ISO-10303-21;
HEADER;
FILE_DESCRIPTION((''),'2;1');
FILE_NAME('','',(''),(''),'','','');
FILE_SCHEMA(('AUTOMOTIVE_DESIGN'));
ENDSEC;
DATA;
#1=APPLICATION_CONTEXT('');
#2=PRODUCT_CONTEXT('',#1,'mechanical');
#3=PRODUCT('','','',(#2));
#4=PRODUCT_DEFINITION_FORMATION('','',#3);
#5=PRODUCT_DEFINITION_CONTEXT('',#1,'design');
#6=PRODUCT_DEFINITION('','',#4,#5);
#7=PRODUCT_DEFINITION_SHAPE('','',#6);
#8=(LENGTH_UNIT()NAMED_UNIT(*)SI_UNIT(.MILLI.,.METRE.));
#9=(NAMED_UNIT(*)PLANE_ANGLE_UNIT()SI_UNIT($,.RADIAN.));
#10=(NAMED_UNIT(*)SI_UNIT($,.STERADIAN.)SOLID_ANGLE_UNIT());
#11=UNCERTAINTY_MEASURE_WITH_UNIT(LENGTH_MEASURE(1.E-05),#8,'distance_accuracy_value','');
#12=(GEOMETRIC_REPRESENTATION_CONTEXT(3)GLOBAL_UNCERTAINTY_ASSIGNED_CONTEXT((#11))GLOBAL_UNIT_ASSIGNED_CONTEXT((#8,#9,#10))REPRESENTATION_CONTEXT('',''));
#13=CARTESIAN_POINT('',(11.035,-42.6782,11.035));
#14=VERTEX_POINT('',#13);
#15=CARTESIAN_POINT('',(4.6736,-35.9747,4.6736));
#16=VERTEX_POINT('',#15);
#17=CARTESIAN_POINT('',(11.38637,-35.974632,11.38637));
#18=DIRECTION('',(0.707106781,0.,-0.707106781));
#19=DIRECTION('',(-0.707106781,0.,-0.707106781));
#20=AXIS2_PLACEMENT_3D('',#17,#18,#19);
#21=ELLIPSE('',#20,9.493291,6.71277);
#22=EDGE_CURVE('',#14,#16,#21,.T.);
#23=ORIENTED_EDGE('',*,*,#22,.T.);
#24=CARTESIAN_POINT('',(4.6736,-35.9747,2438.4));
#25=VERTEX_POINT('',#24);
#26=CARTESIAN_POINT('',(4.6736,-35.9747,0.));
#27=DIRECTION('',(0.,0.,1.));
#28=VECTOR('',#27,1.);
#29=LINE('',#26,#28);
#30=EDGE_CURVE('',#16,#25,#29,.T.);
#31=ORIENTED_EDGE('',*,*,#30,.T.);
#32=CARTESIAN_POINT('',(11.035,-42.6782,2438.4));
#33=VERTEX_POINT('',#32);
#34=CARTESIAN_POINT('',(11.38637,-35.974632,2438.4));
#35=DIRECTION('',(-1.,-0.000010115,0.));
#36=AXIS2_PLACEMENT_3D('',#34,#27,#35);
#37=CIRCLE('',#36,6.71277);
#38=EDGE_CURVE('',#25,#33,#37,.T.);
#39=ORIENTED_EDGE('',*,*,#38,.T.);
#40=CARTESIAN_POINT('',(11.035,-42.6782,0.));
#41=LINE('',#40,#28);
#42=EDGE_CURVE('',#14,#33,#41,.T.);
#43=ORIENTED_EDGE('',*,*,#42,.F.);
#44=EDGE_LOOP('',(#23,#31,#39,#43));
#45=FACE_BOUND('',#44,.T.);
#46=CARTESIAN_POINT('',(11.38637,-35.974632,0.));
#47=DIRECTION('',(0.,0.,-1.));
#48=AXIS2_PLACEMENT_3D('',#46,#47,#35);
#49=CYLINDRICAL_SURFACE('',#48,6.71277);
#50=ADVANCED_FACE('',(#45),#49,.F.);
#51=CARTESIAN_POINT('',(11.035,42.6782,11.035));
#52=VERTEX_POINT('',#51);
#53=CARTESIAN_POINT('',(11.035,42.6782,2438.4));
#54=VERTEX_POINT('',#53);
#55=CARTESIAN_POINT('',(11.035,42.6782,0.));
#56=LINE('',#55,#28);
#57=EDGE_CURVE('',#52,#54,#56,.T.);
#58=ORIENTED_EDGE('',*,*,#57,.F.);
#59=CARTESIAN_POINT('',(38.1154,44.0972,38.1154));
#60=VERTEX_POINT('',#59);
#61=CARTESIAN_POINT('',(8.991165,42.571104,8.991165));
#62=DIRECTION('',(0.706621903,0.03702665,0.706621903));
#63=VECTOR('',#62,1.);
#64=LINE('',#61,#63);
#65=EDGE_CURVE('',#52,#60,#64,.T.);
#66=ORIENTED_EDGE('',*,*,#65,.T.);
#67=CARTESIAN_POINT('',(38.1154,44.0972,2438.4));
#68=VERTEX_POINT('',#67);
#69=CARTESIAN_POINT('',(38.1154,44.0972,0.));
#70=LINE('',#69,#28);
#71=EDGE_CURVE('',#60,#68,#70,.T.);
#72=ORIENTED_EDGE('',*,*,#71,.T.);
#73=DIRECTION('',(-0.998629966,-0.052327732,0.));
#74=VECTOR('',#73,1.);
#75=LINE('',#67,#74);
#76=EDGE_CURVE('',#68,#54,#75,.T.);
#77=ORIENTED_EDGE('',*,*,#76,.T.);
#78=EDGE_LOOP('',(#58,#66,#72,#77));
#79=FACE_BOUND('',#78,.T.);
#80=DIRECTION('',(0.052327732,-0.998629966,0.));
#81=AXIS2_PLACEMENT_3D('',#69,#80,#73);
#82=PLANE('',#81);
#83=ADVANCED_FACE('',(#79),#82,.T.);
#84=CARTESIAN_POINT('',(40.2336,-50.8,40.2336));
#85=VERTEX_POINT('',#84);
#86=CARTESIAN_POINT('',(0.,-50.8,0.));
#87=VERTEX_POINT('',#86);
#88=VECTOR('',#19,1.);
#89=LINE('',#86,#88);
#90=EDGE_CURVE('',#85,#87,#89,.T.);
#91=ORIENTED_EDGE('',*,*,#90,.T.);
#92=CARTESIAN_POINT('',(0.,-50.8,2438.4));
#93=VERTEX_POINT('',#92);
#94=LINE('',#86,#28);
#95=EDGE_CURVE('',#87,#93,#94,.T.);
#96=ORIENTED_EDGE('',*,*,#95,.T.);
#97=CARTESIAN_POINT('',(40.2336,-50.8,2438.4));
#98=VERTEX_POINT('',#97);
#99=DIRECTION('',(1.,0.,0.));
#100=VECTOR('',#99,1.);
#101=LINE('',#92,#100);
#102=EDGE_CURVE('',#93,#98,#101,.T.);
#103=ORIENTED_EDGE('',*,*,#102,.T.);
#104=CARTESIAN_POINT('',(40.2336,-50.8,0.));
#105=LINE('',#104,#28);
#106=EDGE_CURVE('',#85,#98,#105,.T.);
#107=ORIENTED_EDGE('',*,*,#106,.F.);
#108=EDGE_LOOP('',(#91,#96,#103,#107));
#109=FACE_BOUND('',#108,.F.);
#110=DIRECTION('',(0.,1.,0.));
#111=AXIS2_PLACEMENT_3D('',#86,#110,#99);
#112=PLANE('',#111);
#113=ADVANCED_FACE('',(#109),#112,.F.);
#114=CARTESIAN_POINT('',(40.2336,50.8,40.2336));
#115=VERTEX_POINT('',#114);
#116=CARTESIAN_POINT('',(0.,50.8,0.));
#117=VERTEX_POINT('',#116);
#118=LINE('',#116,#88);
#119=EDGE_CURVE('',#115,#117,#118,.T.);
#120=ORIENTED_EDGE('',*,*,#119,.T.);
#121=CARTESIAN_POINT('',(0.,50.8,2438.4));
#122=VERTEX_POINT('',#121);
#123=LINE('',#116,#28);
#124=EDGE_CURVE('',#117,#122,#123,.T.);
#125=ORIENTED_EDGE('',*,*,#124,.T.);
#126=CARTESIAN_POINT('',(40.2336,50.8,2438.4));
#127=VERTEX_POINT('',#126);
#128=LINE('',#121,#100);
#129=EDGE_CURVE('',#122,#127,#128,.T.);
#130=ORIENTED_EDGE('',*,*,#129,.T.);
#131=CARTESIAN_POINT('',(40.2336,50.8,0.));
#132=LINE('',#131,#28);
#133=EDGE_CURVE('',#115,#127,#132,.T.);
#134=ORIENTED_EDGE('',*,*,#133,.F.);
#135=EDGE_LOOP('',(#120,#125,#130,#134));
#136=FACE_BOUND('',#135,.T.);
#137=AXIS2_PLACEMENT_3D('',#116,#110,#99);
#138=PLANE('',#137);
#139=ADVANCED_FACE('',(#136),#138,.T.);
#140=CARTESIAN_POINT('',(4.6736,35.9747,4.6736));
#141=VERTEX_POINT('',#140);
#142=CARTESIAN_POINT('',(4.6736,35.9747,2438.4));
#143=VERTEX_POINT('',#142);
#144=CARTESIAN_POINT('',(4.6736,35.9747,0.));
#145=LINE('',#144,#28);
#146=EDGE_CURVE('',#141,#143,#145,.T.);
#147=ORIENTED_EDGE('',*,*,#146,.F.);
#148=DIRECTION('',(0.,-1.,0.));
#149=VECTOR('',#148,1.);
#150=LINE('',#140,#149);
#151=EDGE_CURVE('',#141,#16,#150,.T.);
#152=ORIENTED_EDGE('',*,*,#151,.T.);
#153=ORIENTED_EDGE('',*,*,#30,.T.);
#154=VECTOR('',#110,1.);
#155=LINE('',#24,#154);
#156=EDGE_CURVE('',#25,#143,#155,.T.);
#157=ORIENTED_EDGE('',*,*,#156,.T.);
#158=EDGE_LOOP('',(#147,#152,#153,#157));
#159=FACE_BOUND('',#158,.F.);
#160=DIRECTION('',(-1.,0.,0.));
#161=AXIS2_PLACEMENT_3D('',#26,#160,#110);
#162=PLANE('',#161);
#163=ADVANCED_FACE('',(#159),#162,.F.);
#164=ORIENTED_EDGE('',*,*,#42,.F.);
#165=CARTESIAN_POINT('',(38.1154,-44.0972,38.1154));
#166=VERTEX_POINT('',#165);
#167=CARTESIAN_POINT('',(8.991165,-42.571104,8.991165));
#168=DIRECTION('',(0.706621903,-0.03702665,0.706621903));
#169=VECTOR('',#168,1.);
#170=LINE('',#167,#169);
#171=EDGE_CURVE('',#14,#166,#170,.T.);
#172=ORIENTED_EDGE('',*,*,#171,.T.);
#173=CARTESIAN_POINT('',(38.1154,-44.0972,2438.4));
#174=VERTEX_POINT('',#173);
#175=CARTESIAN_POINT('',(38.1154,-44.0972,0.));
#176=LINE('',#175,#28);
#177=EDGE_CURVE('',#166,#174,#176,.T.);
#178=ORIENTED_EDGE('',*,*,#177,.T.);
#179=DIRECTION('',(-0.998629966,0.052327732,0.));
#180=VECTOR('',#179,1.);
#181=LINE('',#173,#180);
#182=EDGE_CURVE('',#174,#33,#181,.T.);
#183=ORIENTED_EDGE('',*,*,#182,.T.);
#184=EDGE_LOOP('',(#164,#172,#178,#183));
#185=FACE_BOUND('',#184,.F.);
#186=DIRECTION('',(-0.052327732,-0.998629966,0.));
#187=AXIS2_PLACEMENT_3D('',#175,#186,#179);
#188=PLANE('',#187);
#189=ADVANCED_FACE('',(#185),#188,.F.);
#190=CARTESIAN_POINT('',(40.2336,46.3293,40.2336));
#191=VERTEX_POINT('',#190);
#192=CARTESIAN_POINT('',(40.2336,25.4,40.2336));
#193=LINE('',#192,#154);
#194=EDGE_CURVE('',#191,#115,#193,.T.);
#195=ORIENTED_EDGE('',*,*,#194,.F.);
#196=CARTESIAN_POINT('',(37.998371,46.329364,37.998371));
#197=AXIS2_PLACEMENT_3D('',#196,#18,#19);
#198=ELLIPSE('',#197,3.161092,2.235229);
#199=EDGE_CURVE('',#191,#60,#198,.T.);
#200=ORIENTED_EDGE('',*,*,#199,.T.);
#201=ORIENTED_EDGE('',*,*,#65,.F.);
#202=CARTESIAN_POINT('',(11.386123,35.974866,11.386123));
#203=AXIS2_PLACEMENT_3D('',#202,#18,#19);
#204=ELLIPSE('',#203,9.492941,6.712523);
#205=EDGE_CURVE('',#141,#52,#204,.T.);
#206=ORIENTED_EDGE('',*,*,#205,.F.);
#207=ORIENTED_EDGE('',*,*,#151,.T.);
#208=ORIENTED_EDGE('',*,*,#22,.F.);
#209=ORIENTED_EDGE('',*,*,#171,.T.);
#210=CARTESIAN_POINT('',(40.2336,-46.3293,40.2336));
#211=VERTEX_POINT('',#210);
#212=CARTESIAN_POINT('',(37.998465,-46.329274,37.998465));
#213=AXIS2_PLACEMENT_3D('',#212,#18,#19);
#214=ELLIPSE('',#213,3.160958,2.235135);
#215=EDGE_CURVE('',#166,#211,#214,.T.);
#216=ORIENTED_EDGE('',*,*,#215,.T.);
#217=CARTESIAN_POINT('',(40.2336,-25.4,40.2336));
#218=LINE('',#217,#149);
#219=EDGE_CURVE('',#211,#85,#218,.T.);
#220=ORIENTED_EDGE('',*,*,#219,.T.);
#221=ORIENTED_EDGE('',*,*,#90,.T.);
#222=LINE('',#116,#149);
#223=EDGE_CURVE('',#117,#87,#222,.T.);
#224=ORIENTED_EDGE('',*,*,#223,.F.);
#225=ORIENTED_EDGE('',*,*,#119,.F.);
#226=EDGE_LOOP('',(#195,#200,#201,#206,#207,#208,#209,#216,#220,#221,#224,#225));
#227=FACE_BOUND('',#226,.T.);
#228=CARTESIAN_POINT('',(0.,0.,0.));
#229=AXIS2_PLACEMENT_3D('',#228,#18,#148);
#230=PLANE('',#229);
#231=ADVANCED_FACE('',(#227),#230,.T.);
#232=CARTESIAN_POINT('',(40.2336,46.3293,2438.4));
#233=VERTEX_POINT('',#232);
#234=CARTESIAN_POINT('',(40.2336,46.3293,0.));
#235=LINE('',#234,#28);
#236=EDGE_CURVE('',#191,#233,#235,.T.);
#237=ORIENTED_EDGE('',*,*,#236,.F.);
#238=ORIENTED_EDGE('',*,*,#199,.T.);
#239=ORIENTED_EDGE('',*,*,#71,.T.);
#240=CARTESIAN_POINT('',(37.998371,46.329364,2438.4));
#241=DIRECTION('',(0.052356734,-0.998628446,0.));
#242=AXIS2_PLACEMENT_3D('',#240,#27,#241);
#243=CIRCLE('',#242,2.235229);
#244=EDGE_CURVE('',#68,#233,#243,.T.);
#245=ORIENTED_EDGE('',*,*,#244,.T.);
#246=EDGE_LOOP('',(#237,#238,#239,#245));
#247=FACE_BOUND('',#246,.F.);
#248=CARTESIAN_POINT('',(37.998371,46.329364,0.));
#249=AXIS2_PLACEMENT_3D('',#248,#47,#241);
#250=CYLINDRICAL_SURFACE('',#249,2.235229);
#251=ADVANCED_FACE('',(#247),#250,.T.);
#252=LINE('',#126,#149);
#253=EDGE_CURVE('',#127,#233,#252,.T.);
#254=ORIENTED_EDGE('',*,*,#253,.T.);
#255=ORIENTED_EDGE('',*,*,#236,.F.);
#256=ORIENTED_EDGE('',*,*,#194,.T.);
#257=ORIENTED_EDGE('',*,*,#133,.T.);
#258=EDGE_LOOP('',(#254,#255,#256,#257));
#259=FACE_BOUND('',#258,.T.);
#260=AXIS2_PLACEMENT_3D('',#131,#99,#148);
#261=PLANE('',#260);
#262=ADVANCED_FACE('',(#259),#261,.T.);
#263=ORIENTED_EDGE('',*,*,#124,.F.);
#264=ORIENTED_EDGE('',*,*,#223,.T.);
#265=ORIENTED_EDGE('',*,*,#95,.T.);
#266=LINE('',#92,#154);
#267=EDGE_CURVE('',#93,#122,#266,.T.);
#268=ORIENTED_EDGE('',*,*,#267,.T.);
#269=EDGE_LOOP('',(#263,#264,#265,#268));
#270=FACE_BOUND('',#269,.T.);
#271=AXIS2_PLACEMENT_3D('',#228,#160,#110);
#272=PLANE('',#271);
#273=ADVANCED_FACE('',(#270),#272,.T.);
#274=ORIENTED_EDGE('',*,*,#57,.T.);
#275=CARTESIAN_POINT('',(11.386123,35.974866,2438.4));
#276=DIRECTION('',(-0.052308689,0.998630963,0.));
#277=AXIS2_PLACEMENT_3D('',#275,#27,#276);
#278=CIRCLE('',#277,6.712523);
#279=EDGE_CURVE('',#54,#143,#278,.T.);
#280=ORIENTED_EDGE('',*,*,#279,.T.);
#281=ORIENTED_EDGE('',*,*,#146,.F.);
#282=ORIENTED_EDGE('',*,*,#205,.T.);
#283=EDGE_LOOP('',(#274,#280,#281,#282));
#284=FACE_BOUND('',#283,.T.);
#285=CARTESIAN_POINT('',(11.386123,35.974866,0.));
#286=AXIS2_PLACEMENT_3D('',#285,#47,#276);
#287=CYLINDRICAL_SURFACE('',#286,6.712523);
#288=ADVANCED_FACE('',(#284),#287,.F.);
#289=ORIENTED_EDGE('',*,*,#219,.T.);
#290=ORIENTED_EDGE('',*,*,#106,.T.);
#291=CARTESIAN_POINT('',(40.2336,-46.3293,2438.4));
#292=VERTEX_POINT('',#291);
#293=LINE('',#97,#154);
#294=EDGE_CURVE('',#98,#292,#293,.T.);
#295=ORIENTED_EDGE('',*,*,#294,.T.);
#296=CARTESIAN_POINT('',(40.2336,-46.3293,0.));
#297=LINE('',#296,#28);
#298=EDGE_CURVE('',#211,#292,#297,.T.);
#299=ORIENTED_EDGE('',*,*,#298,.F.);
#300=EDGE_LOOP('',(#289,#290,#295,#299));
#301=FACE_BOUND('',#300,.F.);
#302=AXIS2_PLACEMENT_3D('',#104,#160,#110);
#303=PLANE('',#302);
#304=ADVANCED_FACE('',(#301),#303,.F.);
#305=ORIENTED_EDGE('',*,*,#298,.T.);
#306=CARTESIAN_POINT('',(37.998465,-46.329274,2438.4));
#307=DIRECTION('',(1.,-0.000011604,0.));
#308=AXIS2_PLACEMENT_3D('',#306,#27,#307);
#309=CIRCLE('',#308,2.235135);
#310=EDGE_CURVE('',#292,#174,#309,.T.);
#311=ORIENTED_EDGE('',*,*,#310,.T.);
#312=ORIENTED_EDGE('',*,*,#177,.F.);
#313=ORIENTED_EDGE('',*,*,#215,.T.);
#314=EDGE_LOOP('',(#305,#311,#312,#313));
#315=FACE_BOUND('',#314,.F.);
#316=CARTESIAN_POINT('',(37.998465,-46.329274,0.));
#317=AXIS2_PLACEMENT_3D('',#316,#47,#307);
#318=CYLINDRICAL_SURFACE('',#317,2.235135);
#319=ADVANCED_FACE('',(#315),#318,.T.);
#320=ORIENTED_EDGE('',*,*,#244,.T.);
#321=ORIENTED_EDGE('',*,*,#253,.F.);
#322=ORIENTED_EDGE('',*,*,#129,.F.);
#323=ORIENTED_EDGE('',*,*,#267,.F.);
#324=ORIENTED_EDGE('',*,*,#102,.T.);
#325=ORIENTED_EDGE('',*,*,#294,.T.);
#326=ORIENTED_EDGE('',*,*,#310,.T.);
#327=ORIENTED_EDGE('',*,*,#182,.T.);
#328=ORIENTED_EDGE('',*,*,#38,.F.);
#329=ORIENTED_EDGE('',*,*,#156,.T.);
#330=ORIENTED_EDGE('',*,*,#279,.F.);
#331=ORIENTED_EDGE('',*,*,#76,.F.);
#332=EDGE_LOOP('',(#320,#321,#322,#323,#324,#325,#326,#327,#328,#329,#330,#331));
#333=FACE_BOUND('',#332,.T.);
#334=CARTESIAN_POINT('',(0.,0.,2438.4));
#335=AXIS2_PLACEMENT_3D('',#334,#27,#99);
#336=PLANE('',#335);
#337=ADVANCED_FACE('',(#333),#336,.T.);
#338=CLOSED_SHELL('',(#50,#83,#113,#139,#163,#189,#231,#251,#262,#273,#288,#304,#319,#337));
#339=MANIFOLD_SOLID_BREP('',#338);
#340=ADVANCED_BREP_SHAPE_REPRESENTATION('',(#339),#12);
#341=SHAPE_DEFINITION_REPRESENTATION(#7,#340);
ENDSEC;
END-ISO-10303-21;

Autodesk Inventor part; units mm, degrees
ref_plane "Start plane" through (0, 0, 0) normal (0, 0, 1) x (1, 0, 0)
ref_plane "End plane" through (0, 0, 2438.4) normal (0, 0, 1) x (1, 0, 0)
sketch "Sketch" plane through (0, 0, 0) normal (0, 0, 1) x (1, 0, 0)
  line L0 (0, 0) -> (0, 50.8)
  line L1 (0, 50.8) -> (40.2336, 50.8)
  line L2 (40.2336, 50.8) -> (40.2336, 46.3293)
  line L3 (38.1154, 44.0972) -> (11.035, 42.6782)
  line L4 (4.6736, 35.9747) -> (4.6736, 0)
  line L5 (4.6736, 0) -> (0, 0) construction
  line L6 (22.5508, 50.8) -> (22.5508, 43.2816) construction
  line L7 (40.2336, 44.2082) -> (40.2336, 43.2816) construction
  line L8 (40.2336, 43.2816) -> (22.5508, 43.2816) construction
  line L9 (0, 15) -> (0, -27) construction
  line L10 (-5.539, 0) -> (16.0067, 0) construction
  line L11 (0, 0) -> (0, -50.8)
  line L12 (0, -50.8) -> (40.2336, -50.8)
  line L13 (40.2336, -50.8) -> (40.2336, -46.3293)
  line L14 (38.1154, -44.0972) -> (11.035, -42.6782)
  line L15 (4.6736, -35.9747) -> (4.6736, 0)
  arc A0 (11.035, 42.6782) -> (4.6736, 35.9747) centre (11.3862, 35.9747) ccw
  arc A1 (4.6736, -35.9747) -> (11.035, -42.6782) centre (11.3862, -35.9747) ccw
  arc A2 (38.1154, 44.0972) -> (40.2336, 46.3293) centre (37.9984, 46.3293) ccw
  arc A3 (40.2336, -46.3293) -> (38.1154, -44.0972) centre (37.9984, -46.3293) ccw
  line L16 (0, 71.12) -> (0, -71.12) construction
  line L17 (-14.7825, 0) -> (49.9224, 0) construction
  point P0 (4.6736, 42.3448)
  point P1 (40.2336, -44.2082)
  point P2 (4.6736, -42.3448)
  point P3 (22.5508, -50.8)
  point P4 (22.5508, -43.2816)
  dimension "d0" = 4.6736
  dimension "d1" = 50.8
  dimension "d2" = 40.2336
  dimension "d3" = 7.5184
  dimension "d4" = 17.6828
  dimension "d5" = 0.9266
  dimension "d25" = 0
  dimension "d28" = 6.7127
  dimension "d29" = 2.2352
extrude "Body" add sketch "Sketch" along normal up to surface (2438.4 mm away) from surface at 0
sketch "Sketch3" plane through (0, 0, 0) normal (0, 0, 1) x (1, 0, 0)
  line L0 (0, 0) -> (10, 0)
ref_plane "Work Plane3" through (0, 0, 0) normal (0, -1, 0) x (1, 0, 0)
sketch "Sketch4" plane through (0, 0, 0) normal (0, -1, 0) x (1, 0, 0)
  line L0 (-2, 0) -> (12, 0)
  line L1 (-2, 2438.4) -> (12, 2438.4)
  dimension "d31" = 2438.4
ref_plane "Work Plane4" through (0, 0, 0) normal (0.7071, 0, -0.7071) x (-0.7071, 0, -0.7071)
split "Split1" plane through (0, 0, 0) removes the side toward (0.7071, 0, -0.7071)
equation "\"d0\" = G_T"
equation "\"d1\" = 0.5 * G_H"
equation "\"d2\" = G_W"
equation "\"d3\" = G_T1"
equation "\"d4\" = G_C"
equation "\"d28\" = G_IR"
equation "\"d29\" = G_ER"
equation "\"d6\" = G_L"
equation "\"G_W\" = 40.2336"
equation "\"G_H\" = 101.6"
equation "\"G_T\" = 4.6736"
equation "\"G_T1\" = 7.5184"
equation "\"G_NG\" = 0.0524"
equation "\"G_ER\" = 2.2352"
equation "\"G_IR\" = 6.71265"
equation "\"G_C\" = 17.68285"
equation "\"G_L\" = d31"
equation "\"ex\" = 0"
equation "\"G_OFFSET_START\" = 0"
equation "\"G_OFFSET_END\" = 0"
equation "\"d27\" = G_OFFSET_END + B_L"
equation "\"B_L\" = 2438.4"
properties part number "AISC - C 4 x 5.4 - 96" material "Steel, Mild"
